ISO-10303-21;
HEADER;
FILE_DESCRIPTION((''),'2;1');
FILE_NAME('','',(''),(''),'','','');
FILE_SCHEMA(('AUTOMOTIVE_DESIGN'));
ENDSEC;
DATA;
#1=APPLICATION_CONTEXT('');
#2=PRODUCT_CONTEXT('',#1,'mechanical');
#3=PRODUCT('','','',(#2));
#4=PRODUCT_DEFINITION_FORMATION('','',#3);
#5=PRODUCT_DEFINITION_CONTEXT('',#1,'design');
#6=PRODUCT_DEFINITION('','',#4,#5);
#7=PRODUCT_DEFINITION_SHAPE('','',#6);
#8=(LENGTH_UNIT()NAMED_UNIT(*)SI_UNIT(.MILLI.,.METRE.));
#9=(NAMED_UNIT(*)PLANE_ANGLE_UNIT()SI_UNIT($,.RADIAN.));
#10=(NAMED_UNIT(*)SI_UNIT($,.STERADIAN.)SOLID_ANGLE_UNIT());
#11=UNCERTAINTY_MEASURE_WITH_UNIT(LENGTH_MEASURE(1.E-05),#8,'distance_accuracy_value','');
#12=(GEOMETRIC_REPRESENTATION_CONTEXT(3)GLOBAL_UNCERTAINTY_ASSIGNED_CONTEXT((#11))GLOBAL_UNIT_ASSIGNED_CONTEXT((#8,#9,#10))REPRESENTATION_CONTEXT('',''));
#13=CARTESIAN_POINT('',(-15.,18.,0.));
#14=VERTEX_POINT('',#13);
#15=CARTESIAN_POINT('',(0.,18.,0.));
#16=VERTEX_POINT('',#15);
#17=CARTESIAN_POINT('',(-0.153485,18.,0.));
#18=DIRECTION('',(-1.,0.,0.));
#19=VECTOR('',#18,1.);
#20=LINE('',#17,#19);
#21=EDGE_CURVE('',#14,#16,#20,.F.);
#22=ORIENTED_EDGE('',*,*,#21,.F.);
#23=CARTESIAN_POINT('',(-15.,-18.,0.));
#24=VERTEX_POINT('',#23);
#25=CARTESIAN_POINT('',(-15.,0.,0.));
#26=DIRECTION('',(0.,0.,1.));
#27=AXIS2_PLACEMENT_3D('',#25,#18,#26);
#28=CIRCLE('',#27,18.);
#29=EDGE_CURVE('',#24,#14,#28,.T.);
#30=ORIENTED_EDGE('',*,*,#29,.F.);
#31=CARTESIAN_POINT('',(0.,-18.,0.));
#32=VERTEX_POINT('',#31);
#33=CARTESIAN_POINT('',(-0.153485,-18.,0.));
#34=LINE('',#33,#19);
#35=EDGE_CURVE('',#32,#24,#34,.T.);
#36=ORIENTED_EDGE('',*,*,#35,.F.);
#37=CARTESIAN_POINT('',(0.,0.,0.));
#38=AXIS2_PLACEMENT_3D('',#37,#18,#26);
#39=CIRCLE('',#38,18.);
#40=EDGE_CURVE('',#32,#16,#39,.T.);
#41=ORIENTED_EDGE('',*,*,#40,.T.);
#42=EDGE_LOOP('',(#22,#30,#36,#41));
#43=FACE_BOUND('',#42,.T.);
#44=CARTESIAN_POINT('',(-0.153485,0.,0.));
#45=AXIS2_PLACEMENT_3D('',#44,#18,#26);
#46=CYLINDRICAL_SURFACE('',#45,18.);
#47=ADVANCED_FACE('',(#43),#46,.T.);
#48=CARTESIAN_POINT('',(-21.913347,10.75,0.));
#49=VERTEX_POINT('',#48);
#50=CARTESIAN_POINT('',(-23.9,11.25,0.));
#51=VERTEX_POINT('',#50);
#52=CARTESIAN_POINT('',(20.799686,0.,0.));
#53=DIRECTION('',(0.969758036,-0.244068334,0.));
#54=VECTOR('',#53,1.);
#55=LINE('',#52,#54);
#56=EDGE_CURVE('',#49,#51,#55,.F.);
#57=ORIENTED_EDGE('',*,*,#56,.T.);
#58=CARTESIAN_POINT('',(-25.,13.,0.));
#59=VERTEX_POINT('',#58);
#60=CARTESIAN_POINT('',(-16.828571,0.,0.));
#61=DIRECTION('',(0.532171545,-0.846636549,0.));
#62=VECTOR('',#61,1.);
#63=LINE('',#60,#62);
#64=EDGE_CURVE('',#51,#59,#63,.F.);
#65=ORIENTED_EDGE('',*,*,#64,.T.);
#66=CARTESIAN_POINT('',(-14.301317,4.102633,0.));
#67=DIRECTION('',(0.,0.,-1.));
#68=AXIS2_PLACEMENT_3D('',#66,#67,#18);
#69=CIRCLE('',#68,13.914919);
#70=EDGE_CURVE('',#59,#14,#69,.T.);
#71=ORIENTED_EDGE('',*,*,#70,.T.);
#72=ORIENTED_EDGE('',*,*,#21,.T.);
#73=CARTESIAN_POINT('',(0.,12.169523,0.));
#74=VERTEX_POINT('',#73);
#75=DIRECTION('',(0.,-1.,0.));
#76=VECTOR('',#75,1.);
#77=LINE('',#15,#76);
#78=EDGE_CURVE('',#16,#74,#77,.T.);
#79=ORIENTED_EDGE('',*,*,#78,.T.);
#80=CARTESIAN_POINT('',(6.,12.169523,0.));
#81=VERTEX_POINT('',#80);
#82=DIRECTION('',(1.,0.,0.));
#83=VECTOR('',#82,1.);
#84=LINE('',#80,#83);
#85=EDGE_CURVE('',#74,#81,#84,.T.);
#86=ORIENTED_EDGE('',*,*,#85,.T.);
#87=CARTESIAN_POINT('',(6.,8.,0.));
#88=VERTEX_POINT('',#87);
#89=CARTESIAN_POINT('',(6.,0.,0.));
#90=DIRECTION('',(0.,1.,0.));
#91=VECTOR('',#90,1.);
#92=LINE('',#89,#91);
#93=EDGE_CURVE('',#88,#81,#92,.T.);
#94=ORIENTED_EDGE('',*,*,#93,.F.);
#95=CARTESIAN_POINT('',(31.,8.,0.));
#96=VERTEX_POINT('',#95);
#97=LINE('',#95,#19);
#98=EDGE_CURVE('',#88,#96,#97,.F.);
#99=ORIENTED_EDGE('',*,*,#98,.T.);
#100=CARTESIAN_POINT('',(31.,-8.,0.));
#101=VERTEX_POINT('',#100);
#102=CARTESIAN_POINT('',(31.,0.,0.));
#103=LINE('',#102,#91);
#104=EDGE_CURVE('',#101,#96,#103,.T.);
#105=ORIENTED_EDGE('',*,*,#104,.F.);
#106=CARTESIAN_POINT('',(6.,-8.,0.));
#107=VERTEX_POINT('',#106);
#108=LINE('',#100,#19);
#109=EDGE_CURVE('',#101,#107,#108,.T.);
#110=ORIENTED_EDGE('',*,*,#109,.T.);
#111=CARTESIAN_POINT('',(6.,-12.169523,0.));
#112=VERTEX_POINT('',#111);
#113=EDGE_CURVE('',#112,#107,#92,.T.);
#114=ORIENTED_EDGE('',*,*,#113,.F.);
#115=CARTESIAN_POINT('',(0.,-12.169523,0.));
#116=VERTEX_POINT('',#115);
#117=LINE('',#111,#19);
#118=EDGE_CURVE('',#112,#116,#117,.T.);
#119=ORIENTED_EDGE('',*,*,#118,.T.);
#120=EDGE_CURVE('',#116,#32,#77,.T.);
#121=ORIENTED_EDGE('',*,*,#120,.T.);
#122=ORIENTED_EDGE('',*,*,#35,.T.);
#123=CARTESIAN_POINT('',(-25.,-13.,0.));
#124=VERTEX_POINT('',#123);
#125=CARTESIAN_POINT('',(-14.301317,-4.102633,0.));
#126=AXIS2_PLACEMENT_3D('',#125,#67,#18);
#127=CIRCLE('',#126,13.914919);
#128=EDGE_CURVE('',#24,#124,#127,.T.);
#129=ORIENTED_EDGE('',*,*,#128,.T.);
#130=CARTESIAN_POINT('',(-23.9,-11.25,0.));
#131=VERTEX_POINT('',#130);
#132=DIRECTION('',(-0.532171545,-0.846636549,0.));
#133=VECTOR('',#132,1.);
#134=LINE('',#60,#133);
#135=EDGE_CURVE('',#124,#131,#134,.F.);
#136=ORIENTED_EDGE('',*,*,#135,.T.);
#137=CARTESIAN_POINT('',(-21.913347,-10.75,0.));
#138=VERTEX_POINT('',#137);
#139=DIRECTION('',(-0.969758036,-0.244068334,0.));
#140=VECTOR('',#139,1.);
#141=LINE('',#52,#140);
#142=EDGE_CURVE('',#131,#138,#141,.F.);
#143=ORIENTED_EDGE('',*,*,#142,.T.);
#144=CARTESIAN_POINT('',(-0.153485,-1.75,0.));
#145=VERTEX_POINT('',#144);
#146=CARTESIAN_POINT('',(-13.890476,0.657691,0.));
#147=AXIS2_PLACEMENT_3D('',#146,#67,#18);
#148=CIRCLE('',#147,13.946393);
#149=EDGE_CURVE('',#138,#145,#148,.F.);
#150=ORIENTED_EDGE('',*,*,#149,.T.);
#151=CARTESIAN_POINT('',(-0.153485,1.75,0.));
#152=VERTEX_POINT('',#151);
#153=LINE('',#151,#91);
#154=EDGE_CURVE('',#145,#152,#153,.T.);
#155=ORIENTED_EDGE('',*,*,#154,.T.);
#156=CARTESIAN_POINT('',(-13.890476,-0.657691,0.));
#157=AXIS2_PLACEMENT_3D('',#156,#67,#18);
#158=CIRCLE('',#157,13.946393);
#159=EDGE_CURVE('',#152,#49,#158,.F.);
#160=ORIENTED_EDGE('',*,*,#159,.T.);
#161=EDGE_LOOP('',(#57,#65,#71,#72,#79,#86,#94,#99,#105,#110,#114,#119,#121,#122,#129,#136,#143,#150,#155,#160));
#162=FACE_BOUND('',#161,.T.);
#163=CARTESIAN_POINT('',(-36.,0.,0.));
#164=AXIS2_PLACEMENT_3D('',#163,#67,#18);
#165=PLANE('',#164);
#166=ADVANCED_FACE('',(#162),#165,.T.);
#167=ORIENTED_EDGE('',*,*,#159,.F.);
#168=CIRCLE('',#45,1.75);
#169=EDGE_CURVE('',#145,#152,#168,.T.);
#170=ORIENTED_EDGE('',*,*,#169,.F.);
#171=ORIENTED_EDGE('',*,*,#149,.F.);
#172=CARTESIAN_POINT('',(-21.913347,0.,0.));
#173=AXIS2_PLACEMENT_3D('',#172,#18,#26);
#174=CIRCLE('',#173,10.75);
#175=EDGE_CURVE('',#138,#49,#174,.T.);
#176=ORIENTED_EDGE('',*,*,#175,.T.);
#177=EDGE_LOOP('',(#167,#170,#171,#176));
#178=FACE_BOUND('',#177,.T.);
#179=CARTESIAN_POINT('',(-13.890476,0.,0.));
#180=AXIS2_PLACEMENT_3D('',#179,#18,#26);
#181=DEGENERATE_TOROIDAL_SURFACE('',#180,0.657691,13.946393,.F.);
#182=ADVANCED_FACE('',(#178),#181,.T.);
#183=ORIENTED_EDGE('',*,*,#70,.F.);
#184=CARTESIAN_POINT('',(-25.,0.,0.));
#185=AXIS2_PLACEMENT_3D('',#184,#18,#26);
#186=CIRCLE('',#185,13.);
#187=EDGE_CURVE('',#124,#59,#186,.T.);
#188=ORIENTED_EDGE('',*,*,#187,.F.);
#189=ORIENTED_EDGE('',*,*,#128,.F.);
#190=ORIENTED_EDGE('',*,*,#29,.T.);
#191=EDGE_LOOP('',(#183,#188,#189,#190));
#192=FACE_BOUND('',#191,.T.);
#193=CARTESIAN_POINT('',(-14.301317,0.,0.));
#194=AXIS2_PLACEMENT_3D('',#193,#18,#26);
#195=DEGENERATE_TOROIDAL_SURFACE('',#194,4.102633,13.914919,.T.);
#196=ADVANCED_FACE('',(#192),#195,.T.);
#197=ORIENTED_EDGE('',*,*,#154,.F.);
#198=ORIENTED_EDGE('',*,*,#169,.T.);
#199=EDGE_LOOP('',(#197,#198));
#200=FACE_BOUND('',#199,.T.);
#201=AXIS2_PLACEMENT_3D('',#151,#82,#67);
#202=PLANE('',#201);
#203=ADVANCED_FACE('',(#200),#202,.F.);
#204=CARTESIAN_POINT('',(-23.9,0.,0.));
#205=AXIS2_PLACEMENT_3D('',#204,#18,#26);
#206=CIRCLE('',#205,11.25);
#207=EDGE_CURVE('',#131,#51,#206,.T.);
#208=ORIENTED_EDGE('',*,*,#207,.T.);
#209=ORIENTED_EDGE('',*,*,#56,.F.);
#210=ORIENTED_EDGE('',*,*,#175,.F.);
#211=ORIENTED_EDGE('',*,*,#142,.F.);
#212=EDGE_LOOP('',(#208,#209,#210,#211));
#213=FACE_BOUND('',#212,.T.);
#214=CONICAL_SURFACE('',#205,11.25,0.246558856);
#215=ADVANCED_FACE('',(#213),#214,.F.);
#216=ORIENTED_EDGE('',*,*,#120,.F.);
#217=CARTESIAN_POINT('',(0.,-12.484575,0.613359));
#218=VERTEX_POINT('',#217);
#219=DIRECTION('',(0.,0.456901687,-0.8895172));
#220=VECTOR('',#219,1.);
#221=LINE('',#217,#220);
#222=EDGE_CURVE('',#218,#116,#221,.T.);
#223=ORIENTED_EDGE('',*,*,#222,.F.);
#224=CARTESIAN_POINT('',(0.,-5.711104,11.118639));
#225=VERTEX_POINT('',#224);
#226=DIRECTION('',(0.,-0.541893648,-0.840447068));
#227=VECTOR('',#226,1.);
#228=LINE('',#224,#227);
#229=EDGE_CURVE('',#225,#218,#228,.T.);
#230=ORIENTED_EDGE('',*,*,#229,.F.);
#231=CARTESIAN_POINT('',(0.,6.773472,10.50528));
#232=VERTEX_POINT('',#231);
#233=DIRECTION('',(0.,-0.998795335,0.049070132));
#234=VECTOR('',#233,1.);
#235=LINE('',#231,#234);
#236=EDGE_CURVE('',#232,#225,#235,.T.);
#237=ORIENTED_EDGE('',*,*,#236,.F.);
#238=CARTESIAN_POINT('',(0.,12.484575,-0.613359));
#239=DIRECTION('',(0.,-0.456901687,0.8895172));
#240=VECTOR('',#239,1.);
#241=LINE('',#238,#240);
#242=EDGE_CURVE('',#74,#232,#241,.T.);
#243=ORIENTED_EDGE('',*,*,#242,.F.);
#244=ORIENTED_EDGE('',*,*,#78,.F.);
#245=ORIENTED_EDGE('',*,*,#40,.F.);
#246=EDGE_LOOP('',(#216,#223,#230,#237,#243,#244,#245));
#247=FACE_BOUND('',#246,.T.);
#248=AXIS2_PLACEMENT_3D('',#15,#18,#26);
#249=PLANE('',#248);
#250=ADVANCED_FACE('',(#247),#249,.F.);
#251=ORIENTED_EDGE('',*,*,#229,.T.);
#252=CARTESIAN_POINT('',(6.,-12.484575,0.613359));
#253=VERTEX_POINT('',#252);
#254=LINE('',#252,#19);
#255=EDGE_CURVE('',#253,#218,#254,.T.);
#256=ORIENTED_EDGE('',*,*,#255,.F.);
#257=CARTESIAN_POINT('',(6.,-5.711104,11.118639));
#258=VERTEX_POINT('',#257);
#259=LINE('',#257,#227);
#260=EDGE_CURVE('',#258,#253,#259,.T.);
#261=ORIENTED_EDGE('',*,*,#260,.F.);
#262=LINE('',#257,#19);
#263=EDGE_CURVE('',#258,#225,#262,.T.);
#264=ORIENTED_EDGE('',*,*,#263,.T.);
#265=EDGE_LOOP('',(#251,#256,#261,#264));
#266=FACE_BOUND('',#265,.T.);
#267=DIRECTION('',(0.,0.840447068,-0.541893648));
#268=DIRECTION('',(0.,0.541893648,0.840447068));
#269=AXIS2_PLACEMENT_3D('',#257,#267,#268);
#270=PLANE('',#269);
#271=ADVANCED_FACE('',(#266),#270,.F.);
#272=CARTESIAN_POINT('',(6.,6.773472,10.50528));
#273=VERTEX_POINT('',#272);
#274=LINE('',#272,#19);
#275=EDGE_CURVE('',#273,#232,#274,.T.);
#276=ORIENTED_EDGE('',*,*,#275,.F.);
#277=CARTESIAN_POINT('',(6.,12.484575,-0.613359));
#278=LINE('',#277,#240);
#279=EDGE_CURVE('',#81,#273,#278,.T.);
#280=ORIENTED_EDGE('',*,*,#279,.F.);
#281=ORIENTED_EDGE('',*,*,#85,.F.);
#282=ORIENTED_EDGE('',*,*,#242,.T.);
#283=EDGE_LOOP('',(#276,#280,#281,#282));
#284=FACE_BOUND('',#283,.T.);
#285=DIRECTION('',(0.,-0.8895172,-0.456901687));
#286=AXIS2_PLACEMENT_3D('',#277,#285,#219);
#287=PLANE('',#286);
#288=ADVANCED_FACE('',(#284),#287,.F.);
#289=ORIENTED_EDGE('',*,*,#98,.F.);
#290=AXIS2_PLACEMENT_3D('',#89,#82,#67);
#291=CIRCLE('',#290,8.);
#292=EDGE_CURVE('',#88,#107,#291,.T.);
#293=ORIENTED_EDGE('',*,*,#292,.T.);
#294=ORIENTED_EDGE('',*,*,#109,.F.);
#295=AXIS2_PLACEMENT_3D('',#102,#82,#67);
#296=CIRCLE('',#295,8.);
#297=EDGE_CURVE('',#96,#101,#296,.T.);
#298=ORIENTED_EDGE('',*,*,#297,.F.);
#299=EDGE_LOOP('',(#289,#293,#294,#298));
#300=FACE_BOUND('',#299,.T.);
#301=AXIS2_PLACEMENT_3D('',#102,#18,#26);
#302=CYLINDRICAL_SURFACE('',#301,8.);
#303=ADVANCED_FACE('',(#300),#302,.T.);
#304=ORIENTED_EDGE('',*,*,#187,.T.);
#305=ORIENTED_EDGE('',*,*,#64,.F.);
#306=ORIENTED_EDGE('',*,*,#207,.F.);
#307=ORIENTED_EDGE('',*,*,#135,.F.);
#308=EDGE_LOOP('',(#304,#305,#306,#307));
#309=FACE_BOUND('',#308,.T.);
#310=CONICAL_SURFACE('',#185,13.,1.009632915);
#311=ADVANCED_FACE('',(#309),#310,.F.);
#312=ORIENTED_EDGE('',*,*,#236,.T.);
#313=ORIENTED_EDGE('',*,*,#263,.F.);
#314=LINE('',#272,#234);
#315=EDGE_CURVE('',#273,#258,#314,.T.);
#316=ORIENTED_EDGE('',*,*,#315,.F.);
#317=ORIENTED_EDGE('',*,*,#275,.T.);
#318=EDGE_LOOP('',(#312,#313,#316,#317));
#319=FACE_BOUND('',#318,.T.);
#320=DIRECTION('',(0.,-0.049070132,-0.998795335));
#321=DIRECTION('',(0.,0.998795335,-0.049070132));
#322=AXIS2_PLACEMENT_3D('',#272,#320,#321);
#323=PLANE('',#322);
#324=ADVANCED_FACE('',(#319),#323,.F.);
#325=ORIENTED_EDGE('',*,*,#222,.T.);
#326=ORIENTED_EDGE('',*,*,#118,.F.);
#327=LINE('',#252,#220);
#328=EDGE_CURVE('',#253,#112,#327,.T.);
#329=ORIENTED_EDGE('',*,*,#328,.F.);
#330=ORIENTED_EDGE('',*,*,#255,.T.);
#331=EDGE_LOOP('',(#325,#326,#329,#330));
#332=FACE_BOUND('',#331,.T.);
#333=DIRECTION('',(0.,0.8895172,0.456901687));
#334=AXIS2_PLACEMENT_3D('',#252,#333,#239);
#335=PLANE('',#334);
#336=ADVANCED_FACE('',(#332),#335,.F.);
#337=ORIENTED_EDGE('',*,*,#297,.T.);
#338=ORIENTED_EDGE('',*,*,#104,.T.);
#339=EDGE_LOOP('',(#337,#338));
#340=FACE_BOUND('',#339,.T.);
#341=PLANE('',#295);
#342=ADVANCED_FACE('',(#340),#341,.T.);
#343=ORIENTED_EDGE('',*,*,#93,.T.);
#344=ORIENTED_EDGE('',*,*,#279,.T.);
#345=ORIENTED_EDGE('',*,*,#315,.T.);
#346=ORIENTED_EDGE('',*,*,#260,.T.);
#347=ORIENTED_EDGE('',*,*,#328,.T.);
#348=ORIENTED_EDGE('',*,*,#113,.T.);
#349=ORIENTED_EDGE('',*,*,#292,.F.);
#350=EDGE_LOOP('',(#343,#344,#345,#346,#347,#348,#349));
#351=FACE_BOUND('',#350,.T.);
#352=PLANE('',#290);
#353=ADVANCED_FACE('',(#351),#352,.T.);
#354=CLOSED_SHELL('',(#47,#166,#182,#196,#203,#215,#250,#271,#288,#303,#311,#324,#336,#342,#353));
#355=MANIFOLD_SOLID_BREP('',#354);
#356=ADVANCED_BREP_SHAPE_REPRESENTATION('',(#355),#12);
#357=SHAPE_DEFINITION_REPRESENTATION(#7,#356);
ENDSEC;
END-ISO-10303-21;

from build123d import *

# Parameters (mm, degrees)
Y_KSEKLIK_EKSTR_ZYON1_DEPTH = 6
IZIM3_R                     = 8
BOSS_EXTRUDE1_DEPTH         = 25
SKETCH3_W                   = 31.552756476
SKETCH3_H                   = 60.481987933
CUT_EXTRUDE2_DEPTH          = 67


with BuildPart() as part:
    # Çizim1 → Döndür1 (revolve)
    with BuildSketch(Plane.XY):
        with BuildLine():
            Line((-25, 13), (-23.9, 11.25))
            Line((-23.9, 11.25), (-21.913347284, 10.75))
            ThreePointArc((-21.913347284, 10.75), (-8.560110762, 12.229864882), (-0.153484939, 1.75))
            Line((-0.153484939, 1.75), (-0.153484939, 0))
            Line((-0.153484939, 0), (0, 0))
            Line((0, 0), (0, 18))
            Line((0, 18), (-15, 18))
            ThreePointArc((-15, 18), (-20.524257416, 16.548514832), (-25, 13))
        make_face()
    revolve(axis=Axis((-0.153484939, 0, 0), (1, 0, 0)))

    # Çizim2 → Yükseklik-Ekstrüzyon1 (add)
    with BuildSketch(Plane(origin=(0, 0, 0), x_dir=(0, 0, -1), z_dir=(1, 0, 0))):
        Polygon((-0.613358655, -12.484575463), (10.505280179, -6.773471909), (11.118638834, 5.711103554), (0.613358655, 12.484575463), (-10.505280179, 6.773471909), (-11.118638834, -5.711103554), align=None)
    extrude(amount=Y_KSEKLIK_EKSTR_ZYON1_DEPTH)

    # Çizim3 → Boss-Extrude1 (add)
    with BuildSketch(Plane(origin=(6, 0, 0), x_dir=(0, 0, -1), z_dir=(1, 0, 0))):
        Circle(IZIM3_R)
    extrude(amount=BOSS_EXTRUDE1_DEPTH)

    # Sketch3 → Cut-Extrude2 (cut)
    with BuildSketch(Plane(origin=(31, 0, 0), x_dir=(0, 0, -1), z_dir=(1, 0, 0))):
        with Locations((15.776378238, -7.418738571)):
            Rectangle(SKETCH3_W, SKETCH3_H)
    extrude(amount=-CUT_EXTRUDE2_DEPTH, mode=Mode.SUBTRACT)


solid = part.part
